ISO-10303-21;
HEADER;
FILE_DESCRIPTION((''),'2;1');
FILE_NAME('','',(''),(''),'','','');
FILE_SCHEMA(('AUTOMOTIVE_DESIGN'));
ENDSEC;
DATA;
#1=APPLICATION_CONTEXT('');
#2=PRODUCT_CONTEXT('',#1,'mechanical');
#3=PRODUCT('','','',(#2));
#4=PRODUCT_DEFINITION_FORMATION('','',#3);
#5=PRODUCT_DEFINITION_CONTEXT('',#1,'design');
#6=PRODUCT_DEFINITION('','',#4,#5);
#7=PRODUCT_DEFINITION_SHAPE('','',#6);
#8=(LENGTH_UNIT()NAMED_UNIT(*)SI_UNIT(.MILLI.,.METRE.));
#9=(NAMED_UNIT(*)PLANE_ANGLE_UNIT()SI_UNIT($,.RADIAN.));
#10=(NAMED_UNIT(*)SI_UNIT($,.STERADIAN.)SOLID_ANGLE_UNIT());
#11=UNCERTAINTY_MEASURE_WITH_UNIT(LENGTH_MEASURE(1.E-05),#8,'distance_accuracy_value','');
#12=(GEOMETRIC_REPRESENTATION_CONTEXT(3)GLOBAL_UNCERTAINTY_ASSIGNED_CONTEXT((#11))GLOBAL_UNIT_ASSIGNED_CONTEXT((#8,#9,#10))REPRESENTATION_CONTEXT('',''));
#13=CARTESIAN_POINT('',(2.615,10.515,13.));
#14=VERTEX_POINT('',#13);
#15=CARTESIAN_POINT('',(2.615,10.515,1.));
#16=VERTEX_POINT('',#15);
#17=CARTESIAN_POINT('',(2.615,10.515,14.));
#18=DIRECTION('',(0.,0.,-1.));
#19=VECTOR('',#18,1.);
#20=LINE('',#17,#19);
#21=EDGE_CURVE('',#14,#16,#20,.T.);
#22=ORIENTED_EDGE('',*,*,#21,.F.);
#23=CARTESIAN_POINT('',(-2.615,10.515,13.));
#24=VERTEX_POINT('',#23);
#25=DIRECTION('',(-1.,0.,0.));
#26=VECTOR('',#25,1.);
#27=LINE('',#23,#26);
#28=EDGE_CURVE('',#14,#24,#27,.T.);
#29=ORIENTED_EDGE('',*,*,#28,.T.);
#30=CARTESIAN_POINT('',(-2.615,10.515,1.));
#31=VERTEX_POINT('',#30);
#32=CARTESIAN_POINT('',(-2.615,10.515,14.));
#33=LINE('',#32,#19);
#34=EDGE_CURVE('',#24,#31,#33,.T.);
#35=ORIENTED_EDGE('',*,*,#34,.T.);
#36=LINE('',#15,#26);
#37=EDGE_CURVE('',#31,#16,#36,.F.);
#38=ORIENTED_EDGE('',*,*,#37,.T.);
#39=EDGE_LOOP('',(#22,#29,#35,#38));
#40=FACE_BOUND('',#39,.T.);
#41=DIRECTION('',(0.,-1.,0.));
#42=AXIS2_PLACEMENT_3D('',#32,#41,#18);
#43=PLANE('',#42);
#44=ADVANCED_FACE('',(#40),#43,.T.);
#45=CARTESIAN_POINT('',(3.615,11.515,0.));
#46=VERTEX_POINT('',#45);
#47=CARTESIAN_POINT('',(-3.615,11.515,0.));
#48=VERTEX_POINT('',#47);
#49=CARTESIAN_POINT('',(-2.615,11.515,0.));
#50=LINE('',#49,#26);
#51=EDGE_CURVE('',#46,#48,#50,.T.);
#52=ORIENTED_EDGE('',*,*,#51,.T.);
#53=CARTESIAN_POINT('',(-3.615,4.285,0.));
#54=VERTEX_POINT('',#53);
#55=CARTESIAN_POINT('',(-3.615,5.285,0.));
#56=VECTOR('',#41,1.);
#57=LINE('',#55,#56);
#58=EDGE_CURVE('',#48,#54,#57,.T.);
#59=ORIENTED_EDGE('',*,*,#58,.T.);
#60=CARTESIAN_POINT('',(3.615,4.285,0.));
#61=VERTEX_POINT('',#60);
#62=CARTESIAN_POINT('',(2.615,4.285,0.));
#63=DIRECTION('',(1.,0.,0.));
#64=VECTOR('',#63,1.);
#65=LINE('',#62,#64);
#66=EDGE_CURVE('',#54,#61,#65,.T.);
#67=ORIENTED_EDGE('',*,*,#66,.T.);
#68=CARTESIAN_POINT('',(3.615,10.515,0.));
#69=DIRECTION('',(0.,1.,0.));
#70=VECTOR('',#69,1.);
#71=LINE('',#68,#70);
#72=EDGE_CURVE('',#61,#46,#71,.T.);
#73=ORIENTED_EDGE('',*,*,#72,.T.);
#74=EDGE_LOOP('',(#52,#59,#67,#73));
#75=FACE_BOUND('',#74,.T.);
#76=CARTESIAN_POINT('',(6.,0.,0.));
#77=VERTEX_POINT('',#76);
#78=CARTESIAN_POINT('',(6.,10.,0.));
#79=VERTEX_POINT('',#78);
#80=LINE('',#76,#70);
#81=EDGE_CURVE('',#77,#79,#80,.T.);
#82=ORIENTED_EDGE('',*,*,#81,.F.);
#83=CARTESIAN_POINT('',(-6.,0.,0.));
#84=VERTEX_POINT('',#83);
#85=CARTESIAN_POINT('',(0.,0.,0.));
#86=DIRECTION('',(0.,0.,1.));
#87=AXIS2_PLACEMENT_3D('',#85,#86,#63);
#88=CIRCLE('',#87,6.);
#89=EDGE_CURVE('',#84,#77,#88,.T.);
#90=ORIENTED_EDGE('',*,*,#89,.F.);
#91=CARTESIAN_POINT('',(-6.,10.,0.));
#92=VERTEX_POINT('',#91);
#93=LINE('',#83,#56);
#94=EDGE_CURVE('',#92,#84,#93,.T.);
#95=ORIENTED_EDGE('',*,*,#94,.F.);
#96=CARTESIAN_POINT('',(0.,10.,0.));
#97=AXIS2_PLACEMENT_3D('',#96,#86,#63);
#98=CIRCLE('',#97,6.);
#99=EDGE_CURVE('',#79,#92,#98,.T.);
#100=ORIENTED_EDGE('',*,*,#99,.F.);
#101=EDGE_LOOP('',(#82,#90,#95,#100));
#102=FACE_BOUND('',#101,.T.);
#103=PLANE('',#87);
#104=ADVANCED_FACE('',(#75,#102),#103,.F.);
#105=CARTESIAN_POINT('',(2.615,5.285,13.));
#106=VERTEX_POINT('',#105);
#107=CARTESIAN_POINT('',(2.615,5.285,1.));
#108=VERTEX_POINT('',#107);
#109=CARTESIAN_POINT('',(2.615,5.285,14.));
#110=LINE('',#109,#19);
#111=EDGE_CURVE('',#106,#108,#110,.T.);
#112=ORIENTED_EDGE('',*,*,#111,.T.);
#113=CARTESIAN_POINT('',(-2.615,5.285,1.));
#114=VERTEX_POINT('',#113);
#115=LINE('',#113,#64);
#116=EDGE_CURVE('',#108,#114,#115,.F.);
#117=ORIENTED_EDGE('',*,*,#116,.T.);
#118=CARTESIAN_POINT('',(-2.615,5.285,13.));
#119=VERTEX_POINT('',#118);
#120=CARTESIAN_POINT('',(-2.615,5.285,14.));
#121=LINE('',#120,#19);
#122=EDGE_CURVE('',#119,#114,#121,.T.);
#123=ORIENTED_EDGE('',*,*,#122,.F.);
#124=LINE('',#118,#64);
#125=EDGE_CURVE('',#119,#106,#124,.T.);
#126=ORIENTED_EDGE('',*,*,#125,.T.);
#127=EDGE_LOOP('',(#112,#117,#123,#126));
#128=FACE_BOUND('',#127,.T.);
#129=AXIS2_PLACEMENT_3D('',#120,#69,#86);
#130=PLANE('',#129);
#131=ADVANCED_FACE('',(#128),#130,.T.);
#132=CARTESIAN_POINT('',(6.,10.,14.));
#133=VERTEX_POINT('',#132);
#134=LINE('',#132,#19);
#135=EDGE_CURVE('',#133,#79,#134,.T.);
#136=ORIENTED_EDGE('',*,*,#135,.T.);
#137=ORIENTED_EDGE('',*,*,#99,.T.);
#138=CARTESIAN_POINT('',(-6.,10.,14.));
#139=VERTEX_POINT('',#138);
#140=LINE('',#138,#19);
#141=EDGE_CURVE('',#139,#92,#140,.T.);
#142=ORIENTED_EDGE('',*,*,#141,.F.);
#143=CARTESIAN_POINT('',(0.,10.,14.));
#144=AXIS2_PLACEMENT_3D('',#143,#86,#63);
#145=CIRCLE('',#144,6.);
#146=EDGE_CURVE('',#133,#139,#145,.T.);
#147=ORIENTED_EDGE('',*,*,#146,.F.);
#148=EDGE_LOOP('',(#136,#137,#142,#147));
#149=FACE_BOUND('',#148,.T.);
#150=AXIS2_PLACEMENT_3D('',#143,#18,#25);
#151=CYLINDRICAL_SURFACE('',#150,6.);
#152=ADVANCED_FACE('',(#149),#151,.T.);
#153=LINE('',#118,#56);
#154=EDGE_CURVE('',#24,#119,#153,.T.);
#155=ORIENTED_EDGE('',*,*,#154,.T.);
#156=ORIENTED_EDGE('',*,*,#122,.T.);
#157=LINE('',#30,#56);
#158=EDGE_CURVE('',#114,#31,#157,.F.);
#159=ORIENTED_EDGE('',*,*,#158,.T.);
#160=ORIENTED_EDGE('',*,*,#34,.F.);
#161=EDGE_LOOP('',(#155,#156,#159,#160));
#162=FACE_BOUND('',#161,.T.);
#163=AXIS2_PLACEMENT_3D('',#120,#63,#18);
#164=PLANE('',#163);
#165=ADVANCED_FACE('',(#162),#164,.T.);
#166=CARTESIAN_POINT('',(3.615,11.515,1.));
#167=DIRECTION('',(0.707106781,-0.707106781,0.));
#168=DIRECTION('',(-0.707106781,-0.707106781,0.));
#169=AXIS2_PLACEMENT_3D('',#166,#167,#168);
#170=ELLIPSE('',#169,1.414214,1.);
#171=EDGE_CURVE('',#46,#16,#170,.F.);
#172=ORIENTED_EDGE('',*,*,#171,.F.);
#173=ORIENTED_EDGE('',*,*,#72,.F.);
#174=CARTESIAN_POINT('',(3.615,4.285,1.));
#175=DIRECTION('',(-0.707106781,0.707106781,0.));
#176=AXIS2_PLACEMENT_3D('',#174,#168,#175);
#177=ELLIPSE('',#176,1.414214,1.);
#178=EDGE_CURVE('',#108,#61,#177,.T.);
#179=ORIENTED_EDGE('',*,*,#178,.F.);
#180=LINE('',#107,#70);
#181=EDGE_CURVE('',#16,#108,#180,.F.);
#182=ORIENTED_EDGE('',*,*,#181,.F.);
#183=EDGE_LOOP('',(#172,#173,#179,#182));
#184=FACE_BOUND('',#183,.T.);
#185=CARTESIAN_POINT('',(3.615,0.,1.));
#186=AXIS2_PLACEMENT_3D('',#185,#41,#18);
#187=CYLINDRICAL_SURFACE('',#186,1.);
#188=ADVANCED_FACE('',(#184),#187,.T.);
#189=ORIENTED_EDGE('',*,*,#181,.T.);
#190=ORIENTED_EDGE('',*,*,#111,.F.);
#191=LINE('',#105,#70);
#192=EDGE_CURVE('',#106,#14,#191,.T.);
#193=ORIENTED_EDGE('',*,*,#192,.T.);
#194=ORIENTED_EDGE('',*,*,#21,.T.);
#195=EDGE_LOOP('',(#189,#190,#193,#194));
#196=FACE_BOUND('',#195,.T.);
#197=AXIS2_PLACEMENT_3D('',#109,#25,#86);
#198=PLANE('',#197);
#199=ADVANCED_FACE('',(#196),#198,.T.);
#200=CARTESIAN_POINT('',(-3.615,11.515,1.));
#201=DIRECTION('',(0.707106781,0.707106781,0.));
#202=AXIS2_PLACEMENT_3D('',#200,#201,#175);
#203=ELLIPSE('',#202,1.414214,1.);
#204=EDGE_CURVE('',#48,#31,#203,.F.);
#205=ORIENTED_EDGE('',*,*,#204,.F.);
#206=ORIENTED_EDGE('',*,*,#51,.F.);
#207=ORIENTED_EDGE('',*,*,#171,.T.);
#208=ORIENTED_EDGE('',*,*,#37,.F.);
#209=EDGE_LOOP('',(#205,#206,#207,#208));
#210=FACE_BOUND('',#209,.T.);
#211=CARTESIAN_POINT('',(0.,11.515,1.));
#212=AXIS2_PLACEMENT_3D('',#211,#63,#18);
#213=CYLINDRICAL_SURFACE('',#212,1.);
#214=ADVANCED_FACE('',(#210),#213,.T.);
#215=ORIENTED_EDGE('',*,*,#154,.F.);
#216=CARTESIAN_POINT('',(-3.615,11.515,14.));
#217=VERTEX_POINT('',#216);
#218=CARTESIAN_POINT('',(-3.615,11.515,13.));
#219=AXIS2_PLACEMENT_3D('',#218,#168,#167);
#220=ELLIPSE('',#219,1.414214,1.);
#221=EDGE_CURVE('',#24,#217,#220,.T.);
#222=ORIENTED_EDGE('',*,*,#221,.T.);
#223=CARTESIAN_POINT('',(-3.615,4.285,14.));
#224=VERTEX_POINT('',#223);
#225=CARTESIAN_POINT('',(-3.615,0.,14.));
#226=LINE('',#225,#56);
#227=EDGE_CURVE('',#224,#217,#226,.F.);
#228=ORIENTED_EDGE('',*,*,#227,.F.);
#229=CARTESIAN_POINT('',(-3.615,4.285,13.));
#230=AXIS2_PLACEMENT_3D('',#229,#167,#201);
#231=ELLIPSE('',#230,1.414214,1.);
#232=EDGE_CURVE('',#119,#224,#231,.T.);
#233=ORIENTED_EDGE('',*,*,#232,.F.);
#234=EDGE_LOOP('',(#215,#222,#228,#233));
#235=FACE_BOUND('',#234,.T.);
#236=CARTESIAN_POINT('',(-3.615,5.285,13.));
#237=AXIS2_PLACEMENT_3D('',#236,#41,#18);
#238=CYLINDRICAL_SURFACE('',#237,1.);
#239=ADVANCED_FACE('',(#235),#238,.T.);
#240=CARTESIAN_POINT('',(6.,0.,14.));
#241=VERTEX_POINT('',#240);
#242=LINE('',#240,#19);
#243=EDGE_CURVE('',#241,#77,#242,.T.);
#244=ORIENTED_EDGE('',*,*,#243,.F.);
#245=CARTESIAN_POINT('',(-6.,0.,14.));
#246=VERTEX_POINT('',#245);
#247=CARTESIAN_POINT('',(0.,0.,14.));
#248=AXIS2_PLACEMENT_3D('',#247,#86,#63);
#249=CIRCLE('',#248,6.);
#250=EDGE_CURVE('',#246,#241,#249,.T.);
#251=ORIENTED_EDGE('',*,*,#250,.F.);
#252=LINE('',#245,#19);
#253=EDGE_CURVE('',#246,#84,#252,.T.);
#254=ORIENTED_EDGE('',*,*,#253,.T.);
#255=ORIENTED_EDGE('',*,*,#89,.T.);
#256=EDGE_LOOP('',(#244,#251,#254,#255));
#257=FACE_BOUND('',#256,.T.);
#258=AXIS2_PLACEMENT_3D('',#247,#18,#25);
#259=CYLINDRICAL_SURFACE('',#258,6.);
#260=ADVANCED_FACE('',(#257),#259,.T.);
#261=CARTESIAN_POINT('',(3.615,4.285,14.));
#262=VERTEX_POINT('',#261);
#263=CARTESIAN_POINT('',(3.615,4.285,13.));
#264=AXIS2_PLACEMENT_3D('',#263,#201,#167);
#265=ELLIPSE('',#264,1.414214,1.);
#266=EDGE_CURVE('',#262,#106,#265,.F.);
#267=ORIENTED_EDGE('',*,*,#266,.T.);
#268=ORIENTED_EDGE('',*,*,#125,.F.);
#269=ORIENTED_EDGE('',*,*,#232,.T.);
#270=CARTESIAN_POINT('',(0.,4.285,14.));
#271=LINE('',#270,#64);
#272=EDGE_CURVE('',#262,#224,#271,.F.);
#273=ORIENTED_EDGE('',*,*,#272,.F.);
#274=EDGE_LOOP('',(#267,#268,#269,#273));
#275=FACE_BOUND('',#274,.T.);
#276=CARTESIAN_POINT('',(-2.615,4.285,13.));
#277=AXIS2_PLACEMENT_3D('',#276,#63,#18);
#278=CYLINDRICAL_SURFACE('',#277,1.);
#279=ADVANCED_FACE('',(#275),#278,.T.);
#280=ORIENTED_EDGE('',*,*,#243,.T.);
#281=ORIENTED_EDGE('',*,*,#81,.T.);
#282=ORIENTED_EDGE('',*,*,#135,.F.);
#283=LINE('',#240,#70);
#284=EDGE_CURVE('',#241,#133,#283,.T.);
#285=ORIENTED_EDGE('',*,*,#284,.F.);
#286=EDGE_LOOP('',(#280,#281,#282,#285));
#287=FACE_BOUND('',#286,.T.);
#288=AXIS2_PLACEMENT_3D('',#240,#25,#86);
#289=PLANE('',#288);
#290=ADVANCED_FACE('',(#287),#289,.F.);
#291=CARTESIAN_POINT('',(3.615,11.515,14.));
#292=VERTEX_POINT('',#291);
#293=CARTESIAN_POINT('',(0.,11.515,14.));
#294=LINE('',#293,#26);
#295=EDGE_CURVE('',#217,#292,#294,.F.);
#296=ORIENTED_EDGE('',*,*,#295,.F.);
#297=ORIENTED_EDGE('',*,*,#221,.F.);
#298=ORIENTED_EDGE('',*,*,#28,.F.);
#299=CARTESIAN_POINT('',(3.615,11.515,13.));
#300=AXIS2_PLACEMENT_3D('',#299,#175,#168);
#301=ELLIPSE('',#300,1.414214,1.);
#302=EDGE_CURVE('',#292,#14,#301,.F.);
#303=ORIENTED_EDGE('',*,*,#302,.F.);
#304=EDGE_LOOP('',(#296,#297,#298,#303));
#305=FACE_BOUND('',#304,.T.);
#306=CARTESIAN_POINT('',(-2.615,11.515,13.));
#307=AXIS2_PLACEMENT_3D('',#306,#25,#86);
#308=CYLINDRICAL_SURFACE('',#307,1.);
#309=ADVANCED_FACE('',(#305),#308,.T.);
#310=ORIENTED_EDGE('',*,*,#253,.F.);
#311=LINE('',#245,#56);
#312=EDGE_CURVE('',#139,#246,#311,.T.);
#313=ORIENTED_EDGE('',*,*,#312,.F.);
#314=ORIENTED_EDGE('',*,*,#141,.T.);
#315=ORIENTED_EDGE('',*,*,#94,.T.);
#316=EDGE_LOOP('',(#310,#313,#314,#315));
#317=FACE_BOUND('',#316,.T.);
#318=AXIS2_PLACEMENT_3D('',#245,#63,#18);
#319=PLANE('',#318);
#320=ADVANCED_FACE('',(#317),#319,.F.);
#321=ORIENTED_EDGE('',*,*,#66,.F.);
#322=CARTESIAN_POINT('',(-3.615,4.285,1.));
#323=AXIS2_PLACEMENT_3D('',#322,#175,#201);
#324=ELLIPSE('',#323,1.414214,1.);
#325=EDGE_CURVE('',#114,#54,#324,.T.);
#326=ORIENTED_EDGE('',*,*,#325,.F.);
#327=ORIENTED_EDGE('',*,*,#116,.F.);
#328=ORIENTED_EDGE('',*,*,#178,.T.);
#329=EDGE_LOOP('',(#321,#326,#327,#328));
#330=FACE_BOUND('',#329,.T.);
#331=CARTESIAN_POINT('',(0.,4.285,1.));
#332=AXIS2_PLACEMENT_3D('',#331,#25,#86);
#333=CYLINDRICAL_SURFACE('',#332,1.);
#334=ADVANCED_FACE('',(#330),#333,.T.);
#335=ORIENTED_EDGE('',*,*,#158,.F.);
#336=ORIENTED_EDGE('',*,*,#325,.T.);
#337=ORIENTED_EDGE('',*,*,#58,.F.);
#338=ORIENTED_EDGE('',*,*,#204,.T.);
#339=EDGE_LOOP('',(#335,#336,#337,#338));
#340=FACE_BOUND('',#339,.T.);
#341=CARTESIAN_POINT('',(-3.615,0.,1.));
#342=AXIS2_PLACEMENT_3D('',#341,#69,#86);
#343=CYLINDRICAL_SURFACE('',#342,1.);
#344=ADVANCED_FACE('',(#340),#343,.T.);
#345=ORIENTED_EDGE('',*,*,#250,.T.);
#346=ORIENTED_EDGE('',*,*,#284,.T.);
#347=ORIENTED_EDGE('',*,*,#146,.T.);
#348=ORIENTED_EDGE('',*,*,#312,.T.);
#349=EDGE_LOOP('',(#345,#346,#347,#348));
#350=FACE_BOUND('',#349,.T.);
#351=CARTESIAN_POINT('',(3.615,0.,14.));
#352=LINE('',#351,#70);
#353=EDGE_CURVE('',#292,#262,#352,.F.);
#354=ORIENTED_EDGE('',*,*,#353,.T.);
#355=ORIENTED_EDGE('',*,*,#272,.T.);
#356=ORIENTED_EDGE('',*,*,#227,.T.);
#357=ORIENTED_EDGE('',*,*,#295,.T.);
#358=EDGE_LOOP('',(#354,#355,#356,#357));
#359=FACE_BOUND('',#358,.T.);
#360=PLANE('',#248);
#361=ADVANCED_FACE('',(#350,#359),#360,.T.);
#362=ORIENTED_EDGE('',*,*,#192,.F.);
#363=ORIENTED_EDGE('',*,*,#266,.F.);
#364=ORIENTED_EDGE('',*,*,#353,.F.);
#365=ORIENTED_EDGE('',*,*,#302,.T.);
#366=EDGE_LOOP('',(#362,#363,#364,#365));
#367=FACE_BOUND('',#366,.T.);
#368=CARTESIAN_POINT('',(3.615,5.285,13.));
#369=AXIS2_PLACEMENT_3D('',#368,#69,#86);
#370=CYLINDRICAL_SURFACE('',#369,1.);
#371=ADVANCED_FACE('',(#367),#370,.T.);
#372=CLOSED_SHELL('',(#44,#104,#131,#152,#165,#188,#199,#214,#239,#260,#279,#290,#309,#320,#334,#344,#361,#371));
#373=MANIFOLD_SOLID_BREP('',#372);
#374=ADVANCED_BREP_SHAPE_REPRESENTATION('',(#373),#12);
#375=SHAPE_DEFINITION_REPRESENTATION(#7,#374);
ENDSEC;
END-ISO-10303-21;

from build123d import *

# Parameters (mm, degrees)
SKETCH1_W           = 5.23
SKETCH1_H           = 5.23
BOSS_EXTRUDE1_DEPTH = 14
FILLET1_R           = 1
FILLET2_R           = 1


with BuildPart() as part:
    # Sketch1 → Boss-Extrude1 (new body)
    with BuildSketch(Plane.XY):
        with BuildLine():
            Line((-6, 0), (-6, 10))
            ThreePointArc((-6, 10), (0, 16), (6, 10))
            Line((6, 10), (6, 0))
            ThreePointArc((6, 0), (0, -6), (-6, 0))
        make_face()
        with Locations((0, 7.9)):
            Rectangle(SKETCH1_W, SKETCH1_H, mode=Mode.SUBTRACT)
    extrude(amount=BOSS_EXTRUDE1_DEPTH)

    # Fillet1
    fillet1_edges = [part.edges().sort_by_distance(p)[0] for p in [
        (2.615, 7.9, 14),
        (0, 10.515, 14),
        (-2.615, 7.9, 14),
        (0, 5.285, 14),
    ]]
    fillet(fillet1_edges, radius=FILLET1_R)

    # Fillet2
    fillet2_edges = [part.edges().sort_by_distance(p)[0] for p in [
        (2.615, 7.9, 0),
        (0, 10.515, 0),
        (-2.615, 7.9, 0),
        (0, 5.285, 0),
    ]]
    fillet(fillet2_edges, radius=FILLET2_R)


solid = part.part
